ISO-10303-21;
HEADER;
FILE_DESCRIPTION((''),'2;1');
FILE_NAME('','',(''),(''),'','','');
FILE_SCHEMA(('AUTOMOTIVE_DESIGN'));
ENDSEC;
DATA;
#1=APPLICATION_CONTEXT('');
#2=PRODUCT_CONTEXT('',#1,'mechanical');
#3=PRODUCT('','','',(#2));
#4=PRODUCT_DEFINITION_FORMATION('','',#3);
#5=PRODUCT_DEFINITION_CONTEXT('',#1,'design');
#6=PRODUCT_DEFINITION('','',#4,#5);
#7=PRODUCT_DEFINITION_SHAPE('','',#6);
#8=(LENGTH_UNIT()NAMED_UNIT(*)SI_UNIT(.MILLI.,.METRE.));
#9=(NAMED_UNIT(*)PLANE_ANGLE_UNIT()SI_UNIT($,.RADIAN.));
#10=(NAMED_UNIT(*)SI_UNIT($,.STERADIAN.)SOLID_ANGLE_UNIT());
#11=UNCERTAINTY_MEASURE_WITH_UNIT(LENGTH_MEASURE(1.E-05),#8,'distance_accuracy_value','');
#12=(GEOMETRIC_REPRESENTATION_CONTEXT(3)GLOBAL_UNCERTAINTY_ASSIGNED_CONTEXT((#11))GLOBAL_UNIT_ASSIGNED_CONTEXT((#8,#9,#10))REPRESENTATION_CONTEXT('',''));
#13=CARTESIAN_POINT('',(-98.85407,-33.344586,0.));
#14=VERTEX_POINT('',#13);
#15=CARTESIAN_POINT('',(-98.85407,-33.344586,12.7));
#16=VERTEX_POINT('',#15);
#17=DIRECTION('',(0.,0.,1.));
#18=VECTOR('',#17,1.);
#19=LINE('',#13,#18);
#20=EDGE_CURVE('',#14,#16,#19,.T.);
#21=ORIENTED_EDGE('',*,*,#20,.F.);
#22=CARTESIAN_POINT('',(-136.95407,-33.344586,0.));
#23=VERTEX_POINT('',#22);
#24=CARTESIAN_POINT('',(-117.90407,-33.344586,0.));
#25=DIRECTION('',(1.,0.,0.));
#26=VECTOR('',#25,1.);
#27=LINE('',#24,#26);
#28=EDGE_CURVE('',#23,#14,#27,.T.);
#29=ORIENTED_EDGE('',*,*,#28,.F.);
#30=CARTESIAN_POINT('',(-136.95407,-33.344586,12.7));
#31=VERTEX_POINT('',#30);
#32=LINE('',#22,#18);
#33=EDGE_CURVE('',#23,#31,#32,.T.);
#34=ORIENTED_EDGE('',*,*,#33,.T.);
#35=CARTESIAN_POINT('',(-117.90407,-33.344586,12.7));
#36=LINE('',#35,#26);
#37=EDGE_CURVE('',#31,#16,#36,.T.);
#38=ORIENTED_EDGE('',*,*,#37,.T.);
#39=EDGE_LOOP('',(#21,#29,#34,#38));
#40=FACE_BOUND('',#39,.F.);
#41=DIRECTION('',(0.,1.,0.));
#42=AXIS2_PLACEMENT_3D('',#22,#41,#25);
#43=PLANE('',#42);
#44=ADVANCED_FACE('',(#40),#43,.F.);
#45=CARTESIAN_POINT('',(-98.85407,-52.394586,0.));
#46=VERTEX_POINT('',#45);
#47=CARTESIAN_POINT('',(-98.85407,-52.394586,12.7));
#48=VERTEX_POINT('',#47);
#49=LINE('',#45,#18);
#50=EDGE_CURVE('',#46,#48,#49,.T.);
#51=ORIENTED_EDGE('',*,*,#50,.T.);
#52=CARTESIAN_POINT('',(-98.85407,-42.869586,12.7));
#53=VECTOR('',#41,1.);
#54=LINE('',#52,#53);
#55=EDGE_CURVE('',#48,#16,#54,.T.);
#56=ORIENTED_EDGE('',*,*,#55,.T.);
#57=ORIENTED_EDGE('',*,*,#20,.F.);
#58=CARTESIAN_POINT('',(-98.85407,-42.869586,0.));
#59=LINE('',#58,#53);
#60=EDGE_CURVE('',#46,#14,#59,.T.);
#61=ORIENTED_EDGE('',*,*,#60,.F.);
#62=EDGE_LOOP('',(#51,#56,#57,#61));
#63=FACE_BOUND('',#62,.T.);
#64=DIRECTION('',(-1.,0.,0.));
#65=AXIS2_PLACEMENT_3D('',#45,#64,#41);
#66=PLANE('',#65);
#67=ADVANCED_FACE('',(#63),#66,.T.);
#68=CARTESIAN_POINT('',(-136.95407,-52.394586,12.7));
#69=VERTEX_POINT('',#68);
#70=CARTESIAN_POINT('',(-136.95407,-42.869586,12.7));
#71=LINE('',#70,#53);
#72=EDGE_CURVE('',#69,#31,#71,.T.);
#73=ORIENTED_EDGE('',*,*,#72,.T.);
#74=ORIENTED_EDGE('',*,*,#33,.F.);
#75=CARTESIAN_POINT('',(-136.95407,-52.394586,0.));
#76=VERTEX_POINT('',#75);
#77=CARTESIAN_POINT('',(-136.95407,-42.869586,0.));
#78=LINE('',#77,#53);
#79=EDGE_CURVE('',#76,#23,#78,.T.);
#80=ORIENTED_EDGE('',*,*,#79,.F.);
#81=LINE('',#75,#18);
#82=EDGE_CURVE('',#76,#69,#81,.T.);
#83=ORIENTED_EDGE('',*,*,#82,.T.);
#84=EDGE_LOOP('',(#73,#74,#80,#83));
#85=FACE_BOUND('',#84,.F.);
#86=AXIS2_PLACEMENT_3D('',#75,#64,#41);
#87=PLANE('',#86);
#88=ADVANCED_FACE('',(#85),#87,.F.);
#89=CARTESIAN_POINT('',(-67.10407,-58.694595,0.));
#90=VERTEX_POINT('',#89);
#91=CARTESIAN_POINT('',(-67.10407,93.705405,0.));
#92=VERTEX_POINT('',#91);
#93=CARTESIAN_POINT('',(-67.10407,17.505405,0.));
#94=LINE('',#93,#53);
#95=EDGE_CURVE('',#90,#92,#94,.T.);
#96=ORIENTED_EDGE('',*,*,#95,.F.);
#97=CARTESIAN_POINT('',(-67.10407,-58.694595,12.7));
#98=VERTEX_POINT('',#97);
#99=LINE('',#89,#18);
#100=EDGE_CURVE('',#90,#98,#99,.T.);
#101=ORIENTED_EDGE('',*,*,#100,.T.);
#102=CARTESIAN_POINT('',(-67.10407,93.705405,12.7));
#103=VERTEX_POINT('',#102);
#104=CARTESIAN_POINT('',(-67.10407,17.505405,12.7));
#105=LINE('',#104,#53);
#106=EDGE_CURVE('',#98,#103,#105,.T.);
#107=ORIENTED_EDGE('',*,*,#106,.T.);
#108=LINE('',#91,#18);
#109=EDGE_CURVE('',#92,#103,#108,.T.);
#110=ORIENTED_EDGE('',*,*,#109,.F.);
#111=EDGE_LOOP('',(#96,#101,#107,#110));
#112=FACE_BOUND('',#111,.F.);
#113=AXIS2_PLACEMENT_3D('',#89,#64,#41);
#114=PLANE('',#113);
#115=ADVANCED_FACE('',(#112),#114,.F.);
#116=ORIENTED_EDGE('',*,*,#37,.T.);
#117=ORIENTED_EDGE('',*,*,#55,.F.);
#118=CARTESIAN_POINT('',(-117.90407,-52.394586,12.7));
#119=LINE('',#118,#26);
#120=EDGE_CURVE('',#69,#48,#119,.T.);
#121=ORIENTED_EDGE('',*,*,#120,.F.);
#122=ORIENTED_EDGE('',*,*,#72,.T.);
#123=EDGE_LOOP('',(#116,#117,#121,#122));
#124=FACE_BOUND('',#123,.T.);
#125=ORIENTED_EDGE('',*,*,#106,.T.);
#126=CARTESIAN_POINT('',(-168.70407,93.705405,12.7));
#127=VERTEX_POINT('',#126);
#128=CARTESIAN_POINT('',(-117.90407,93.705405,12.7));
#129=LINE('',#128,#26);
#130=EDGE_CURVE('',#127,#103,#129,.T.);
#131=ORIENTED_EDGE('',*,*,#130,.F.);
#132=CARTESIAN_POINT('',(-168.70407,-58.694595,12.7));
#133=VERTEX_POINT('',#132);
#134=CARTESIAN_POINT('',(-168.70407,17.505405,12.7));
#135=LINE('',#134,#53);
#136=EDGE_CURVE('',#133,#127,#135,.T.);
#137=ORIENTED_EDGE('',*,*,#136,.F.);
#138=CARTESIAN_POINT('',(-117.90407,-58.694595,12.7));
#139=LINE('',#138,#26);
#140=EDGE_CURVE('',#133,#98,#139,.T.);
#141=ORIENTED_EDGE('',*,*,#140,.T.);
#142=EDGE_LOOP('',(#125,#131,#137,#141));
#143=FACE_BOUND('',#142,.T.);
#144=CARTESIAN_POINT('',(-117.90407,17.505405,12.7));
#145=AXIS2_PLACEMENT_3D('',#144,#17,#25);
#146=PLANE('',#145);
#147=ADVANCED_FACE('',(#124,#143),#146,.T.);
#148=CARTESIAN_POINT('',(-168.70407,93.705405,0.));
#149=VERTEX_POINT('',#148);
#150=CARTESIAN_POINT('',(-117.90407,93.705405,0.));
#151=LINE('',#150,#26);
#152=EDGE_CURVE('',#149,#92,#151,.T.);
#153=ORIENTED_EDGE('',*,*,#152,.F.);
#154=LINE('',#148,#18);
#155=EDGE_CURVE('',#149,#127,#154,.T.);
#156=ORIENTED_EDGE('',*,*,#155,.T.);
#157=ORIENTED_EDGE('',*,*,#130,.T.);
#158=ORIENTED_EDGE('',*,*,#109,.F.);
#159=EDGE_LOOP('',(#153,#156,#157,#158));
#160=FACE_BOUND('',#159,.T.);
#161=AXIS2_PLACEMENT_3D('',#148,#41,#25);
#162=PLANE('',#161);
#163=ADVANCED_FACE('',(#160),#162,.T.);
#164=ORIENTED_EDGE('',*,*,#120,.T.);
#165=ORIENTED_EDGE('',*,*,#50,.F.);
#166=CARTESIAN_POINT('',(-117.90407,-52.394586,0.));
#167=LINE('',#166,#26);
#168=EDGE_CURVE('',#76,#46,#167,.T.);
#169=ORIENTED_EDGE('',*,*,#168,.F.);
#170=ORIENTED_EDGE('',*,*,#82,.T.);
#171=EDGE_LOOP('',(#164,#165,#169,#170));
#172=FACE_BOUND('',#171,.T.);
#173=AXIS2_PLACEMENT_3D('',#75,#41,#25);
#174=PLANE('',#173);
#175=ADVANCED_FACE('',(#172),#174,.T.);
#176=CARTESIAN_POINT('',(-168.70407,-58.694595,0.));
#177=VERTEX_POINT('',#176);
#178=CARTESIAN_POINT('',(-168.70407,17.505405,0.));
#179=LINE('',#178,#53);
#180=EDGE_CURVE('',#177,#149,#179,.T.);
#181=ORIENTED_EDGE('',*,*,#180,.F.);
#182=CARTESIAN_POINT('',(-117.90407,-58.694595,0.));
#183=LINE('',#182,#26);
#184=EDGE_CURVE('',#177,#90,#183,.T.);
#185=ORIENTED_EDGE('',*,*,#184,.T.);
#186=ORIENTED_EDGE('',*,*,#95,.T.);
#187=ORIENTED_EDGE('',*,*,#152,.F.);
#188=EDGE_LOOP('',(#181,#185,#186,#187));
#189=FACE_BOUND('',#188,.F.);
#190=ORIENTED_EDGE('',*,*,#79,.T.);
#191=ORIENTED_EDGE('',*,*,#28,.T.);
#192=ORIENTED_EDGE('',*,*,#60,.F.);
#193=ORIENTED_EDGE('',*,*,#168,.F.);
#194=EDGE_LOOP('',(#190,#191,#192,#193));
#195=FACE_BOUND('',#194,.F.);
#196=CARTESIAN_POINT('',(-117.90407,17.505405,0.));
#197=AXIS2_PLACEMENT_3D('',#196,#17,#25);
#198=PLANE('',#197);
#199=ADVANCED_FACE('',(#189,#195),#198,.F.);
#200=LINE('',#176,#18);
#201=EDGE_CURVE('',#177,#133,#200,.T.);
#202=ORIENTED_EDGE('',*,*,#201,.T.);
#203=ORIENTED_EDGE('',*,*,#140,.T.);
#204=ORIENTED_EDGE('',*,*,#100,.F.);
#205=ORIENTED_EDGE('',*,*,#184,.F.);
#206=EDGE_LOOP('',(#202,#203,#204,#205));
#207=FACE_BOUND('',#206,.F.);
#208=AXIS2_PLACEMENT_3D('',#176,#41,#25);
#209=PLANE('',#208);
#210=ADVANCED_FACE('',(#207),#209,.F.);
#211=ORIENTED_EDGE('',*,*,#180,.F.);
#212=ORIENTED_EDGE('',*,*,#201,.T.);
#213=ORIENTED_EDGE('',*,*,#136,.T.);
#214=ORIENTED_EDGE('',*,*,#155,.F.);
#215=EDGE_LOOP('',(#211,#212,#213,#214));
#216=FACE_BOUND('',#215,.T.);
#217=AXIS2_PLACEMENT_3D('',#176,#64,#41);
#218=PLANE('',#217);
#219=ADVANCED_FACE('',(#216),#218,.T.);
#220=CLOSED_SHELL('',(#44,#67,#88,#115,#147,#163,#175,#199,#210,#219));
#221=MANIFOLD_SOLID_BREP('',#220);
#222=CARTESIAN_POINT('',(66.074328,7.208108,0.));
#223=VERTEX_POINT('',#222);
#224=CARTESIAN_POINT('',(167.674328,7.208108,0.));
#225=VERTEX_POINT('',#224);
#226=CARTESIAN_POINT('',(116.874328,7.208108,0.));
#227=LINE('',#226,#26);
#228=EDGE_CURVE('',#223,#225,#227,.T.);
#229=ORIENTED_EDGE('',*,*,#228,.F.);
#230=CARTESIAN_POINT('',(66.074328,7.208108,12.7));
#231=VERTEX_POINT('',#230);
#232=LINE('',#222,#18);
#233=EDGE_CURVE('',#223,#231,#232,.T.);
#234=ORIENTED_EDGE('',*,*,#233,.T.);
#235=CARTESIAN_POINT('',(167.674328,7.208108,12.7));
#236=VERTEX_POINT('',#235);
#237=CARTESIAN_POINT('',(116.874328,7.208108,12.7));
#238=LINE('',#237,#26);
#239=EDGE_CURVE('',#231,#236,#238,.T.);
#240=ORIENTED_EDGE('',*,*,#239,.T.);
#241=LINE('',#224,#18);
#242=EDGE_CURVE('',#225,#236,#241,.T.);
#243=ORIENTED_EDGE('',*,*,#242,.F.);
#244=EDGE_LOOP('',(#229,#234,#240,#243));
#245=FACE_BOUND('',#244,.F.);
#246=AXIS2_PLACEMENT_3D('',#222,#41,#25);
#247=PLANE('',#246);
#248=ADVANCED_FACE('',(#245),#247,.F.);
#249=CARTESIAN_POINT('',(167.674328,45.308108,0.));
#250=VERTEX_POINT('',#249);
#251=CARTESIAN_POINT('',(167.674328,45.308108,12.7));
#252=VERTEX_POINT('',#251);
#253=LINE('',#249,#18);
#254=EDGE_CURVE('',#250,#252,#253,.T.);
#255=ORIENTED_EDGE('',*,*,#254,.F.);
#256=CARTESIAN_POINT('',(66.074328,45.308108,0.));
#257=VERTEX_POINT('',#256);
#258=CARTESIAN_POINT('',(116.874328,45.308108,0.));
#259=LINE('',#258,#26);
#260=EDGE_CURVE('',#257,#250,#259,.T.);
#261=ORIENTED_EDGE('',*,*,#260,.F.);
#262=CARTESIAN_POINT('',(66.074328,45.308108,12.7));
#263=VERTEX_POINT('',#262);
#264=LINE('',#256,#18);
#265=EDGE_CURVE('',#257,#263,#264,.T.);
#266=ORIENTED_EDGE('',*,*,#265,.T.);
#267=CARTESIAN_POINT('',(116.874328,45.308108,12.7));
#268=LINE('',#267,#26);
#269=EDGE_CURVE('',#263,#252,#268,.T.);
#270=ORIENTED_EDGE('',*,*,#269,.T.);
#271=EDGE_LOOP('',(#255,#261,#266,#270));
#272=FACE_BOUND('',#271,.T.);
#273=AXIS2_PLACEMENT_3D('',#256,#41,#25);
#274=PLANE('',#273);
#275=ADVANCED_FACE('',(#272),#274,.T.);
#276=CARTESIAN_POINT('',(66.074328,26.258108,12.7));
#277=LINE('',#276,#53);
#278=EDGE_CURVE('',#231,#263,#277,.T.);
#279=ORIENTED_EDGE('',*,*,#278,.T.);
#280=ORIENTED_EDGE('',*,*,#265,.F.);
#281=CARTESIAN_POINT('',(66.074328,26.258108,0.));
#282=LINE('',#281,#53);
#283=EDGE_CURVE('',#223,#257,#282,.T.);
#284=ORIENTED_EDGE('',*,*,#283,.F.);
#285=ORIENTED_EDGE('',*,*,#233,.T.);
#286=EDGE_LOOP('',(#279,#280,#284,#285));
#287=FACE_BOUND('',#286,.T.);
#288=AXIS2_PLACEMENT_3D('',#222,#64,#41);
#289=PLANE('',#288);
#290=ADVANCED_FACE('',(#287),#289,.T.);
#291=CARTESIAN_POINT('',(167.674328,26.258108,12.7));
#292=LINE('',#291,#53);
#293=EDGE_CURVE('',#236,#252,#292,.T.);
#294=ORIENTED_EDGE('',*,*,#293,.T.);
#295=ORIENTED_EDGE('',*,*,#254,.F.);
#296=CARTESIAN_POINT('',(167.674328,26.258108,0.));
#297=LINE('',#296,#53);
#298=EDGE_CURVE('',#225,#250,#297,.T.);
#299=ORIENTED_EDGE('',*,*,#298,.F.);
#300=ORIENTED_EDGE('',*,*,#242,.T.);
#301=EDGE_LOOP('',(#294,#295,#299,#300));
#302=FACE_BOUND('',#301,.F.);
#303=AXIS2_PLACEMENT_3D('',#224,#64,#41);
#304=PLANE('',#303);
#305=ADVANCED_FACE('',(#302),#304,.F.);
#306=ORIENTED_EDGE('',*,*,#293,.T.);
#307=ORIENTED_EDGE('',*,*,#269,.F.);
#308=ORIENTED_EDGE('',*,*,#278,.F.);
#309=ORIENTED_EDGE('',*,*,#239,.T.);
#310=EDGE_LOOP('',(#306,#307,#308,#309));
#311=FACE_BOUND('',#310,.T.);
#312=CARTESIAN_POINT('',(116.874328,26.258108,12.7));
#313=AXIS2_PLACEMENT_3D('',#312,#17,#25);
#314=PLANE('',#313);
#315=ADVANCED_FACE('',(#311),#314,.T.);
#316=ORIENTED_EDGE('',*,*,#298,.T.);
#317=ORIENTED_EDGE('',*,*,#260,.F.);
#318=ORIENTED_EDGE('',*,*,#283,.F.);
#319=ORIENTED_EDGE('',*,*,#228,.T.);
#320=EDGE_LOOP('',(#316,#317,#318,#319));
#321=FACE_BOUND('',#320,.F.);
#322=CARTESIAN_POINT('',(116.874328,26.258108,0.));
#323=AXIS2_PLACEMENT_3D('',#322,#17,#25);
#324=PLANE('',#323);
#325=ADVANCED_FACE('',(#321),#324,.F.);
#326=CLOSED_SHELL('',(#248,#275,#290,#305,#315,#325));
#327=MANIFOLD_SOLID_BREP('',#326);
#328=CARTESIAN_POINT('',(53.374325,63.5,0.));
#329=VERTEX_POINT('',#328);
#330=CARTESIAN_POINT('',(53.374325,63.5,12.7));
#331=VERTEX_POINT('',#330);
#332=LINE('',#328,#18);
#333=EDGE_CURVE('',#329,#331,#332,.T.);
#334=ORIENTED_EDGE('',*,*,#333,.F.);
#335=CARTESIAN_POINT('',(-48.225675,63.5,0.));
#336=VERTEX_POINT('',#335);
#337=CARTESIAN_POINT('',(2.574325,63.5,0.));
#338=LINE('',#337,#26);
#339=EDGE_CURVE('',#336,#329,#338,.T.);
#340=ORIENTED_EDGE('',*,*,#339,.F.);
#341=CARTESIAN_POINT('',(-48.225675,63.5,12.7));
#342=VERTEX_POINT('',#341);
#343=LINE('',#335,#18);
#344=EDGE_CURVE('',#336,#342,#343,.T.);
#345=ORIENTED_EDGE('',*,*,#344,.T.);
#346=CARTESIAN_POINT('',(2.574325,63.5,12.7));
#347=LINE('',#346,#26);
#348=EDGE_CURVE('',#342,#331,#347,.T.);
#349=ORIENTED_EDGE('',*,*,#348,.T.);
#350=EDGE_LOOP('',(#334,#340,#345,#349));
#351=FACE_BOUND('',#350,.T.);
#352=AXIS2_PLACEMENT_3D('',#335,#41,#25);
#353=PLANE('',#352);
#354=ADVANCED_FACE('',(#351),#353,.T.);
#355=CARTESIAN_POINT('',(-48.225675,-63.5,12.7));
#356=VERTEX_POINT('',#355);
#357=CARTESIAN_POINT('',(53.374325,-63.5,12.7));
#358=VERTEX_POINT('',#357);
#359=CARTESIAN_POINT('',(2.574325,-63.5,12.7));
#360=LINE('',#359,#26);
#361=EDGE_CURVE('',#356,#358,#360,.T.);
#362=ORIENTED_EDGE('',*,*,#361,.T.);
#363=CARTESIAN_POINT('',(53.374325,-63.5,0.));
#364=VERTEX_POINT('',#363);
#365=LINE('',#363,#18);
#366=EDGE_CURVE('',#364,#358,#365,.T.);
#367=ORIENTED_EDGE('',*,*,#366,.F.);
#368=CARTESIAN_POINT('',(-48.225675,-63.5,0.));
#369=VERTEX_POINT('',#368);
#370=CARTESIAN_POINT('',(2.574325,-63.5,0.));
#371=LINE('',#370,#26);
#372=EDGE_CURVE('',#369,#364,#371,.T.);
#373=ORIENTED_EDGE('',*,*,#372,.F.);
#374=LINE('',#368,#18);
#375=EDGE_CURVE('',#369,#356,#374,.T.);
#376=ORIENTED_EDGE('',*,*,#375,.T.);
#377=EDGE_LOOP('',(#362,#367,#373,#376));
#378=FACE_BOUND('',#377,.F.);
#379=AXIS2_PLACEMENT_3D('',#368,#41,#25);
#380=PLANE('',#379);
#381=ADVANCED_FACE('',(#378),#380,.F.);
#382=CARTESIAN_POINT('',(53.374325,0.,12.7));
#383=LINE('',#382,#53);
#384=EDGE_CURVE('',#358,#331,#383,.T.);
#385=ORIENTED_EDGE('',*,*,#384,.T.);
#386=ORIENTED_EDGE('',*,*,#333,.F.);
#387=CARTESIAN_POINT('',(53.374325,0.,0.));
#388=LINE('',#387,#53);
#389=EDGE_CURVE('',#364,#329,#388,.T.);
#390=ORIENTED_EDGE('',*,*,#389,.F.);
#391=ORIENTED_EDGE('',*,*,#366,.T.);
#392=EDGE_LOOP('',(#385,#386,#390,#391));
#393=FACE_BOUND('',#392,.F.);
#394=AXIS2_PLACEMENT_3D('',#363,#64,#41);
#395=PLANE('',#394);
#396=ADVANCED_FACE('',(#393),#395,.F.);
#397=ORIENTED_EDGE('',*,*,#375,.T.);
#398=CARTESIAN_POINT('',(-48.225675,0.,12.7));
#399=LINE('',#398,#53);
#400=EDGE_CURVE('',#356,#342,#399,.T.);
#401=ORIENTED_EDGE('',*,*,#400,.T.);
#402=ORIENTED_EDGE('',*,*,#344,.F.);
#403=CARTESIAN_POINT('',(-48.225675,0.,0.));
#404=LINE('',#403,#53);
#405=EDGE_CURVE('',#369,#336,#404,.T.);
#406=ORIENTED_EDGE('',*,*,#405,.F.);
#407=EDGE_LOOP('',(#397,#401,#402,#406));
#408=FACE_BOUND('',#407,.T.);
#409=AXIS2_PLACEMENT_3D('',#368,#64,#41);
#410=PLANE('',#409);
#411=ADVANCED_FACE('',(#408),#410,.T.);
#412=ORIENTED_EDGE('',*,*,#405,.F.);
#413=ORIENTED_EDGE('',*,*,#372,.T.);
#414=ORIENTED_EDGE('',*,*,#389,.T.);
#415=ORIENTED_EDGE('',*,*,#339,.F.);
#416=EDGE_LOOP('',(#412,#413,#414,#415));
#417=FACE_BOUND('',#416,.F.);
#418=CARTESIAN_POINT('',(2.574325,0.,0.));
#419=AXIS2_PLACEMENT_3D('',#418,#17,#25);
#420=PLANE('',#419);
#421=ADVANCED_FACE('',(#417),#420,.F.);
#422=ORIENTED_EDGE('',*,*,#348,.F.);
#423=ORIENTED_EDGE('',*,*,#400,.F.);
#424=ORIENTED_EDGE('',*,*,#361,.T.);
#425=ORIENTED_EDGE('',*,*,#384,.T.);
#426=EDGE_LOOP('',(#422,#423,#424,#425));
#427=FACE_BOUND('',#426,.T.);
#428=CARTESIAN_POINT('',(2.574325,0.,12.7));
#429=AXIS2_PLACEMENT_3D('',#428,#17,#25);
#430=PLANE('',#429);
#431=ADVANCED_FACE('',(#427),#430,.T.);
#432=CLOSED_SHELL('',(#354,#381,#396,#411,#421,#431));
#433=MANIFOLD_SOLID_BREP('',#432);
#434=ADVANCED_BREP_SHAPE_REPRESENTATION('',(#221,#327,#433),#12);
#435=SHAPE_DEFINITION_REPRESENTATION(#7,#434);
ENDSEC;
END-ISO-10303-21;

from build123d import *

# Parameters (mm, degrees)
F0_W     = 101.6
F0_H     = 152.4
F0_W_2   = 38.1
F0_H_2   = 19.05
F0_H_3   = 127
F0_H_4   = 38.1
F1_DEPTH = 12.7


with BuildPart() as f1:
    # F0 (on Top) → F1 (new body)
    with BuildSketch(Plane.XY):
        with Locations((-117.90407, 17.505405)):
            Rectangle(F0_W, F0_H)
        with Locations((-117.90407, -42.869586)):
            Rectangle(F0_W_2, F0_H_2, mode=Mode.SUBTRACT)
        with Locations((2.574325, 0)):
            Rectangle(F0_W, F0_H_3)
        with Locations((116.874328, 26.258108)):
            Rectangle(F0_W, F0_H_4)
    extrude(amount=F1_DEPTH)


solid = f1.part
